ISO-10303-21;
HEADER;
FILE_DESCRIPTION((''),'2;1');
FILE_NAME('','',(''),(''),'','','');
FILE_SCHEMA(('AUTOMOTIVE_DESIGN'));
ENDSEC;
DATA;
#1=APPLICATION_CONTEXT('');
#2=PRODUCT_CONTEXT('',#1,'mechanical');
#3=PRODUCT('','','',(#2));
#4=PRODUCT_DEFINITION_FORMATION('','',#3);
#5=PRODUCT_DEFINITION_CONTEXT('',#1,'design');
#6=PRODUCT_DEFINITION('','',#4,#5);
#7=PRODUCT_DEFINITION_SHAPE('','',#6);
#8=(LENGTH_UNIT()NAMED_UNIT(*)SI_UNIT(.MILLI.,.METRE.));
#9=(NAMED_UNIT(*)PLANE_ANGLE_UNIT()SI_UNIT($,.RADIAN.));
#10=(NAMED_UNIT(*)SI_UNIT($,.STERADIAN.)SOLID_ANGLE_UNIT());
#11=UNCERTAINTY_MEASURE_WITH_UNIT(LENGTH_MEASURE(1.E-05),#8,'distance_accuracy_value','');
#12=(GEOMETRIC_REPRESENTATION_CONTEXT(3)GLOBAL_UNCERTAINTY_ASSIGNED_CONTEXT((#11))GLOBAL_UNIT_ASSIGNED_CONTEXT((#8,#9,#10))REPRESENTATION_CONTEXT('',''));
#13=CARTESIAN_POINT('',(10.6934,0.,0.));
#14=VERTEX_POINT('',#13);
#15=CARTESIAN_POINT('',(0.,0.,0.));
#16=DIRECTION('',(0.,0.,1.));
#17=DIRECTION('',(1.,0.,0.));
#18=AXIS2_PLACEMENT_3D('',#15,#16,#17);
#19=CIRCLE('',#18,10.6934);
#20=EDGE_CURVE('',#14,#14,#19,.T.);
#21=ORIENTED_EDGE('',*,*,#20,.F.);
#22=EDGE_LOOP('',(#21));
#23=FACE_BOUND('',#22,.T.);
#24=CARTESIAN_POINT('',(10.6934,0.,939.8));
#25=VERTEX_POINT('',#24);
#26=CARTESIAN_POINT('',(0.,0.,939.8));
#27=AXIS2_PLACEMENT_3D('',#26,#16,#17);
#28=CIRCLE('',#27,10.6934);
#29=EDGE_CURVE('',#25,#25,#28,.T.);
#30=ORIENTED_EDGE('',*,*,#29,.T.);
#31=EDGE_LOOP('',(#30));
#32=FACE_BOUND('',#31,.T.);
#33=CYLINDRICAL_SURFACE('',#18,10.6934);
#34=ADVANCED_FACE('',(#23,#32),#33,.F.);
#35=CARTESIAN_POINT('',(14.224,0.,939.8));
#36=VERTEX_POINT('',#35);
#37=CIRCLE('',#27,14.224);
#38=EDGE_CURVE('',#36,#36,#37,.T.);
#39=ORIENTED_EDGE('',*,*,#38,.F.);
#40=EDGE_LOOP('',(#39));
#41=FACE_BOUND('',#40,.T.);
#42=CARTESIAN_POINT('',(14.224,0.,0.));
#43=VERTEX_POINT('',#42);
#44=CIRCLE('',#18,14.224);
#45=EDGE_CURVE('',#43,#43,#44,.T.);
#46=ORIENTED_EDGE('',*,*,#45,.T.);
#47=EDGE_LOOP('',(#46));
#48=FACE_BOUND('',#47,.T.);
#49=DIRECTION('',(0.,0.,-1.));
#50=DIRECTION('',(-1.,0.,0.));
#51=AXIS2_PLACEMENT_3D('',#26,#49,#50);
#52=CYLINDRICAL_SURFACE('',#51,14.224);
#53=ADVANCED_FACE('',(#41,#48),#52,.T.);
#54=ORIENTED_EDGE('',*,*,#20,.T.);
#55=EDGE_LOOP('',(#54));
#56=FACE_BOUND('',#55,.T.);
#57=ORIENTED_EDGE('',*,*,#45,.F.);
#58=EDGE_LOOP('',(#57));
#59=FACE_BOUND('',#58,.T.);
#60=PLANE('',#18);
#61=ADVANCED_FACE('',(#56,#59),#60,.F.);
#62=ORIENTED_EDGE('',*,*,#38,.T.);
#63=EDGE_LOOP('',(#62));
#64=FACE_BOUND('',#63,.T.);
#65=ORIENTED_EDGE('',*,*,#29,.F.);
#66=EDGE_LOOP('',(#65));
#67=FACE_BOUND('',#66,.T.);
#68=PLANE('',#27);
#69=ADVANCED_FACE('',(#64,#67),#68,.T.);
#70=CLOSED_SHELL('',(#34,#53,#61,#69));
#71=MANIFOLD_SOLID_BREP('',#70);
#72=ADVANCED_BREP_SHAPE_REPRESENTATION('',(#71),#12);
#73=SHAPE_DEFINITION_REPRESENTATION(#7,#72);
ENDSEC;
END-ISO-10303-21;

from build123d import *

# Parameters (mm, degrees)
SKETCH1_R           = 14.224
BOSS_EXTRUDE1_DEPTH = 939.8
SKETCH2_R           = 10.6934
CUT_EXTRUDE1_DEPTH  = 941.01525751


with BuildPart() as part:
    # Sketch1 → Boss-Extrude1 (new body)
    with BuildSketch(Plane.XY):
        Circle(SKETCH1_R)
    extrude(amount=BOSS_EXTRUDE1_DEPTH)

    # Sketch2 → Cut-Extrude1 (cut, through all)
    with BuildSketch(Plane.XY.offset(939.8)):
        Circle(SKETCH2_R)
    extrude(amount=-CUT_EXTRUDE1_DEPTH, mode=Mode.SUBTRACT)


solid = part.part
